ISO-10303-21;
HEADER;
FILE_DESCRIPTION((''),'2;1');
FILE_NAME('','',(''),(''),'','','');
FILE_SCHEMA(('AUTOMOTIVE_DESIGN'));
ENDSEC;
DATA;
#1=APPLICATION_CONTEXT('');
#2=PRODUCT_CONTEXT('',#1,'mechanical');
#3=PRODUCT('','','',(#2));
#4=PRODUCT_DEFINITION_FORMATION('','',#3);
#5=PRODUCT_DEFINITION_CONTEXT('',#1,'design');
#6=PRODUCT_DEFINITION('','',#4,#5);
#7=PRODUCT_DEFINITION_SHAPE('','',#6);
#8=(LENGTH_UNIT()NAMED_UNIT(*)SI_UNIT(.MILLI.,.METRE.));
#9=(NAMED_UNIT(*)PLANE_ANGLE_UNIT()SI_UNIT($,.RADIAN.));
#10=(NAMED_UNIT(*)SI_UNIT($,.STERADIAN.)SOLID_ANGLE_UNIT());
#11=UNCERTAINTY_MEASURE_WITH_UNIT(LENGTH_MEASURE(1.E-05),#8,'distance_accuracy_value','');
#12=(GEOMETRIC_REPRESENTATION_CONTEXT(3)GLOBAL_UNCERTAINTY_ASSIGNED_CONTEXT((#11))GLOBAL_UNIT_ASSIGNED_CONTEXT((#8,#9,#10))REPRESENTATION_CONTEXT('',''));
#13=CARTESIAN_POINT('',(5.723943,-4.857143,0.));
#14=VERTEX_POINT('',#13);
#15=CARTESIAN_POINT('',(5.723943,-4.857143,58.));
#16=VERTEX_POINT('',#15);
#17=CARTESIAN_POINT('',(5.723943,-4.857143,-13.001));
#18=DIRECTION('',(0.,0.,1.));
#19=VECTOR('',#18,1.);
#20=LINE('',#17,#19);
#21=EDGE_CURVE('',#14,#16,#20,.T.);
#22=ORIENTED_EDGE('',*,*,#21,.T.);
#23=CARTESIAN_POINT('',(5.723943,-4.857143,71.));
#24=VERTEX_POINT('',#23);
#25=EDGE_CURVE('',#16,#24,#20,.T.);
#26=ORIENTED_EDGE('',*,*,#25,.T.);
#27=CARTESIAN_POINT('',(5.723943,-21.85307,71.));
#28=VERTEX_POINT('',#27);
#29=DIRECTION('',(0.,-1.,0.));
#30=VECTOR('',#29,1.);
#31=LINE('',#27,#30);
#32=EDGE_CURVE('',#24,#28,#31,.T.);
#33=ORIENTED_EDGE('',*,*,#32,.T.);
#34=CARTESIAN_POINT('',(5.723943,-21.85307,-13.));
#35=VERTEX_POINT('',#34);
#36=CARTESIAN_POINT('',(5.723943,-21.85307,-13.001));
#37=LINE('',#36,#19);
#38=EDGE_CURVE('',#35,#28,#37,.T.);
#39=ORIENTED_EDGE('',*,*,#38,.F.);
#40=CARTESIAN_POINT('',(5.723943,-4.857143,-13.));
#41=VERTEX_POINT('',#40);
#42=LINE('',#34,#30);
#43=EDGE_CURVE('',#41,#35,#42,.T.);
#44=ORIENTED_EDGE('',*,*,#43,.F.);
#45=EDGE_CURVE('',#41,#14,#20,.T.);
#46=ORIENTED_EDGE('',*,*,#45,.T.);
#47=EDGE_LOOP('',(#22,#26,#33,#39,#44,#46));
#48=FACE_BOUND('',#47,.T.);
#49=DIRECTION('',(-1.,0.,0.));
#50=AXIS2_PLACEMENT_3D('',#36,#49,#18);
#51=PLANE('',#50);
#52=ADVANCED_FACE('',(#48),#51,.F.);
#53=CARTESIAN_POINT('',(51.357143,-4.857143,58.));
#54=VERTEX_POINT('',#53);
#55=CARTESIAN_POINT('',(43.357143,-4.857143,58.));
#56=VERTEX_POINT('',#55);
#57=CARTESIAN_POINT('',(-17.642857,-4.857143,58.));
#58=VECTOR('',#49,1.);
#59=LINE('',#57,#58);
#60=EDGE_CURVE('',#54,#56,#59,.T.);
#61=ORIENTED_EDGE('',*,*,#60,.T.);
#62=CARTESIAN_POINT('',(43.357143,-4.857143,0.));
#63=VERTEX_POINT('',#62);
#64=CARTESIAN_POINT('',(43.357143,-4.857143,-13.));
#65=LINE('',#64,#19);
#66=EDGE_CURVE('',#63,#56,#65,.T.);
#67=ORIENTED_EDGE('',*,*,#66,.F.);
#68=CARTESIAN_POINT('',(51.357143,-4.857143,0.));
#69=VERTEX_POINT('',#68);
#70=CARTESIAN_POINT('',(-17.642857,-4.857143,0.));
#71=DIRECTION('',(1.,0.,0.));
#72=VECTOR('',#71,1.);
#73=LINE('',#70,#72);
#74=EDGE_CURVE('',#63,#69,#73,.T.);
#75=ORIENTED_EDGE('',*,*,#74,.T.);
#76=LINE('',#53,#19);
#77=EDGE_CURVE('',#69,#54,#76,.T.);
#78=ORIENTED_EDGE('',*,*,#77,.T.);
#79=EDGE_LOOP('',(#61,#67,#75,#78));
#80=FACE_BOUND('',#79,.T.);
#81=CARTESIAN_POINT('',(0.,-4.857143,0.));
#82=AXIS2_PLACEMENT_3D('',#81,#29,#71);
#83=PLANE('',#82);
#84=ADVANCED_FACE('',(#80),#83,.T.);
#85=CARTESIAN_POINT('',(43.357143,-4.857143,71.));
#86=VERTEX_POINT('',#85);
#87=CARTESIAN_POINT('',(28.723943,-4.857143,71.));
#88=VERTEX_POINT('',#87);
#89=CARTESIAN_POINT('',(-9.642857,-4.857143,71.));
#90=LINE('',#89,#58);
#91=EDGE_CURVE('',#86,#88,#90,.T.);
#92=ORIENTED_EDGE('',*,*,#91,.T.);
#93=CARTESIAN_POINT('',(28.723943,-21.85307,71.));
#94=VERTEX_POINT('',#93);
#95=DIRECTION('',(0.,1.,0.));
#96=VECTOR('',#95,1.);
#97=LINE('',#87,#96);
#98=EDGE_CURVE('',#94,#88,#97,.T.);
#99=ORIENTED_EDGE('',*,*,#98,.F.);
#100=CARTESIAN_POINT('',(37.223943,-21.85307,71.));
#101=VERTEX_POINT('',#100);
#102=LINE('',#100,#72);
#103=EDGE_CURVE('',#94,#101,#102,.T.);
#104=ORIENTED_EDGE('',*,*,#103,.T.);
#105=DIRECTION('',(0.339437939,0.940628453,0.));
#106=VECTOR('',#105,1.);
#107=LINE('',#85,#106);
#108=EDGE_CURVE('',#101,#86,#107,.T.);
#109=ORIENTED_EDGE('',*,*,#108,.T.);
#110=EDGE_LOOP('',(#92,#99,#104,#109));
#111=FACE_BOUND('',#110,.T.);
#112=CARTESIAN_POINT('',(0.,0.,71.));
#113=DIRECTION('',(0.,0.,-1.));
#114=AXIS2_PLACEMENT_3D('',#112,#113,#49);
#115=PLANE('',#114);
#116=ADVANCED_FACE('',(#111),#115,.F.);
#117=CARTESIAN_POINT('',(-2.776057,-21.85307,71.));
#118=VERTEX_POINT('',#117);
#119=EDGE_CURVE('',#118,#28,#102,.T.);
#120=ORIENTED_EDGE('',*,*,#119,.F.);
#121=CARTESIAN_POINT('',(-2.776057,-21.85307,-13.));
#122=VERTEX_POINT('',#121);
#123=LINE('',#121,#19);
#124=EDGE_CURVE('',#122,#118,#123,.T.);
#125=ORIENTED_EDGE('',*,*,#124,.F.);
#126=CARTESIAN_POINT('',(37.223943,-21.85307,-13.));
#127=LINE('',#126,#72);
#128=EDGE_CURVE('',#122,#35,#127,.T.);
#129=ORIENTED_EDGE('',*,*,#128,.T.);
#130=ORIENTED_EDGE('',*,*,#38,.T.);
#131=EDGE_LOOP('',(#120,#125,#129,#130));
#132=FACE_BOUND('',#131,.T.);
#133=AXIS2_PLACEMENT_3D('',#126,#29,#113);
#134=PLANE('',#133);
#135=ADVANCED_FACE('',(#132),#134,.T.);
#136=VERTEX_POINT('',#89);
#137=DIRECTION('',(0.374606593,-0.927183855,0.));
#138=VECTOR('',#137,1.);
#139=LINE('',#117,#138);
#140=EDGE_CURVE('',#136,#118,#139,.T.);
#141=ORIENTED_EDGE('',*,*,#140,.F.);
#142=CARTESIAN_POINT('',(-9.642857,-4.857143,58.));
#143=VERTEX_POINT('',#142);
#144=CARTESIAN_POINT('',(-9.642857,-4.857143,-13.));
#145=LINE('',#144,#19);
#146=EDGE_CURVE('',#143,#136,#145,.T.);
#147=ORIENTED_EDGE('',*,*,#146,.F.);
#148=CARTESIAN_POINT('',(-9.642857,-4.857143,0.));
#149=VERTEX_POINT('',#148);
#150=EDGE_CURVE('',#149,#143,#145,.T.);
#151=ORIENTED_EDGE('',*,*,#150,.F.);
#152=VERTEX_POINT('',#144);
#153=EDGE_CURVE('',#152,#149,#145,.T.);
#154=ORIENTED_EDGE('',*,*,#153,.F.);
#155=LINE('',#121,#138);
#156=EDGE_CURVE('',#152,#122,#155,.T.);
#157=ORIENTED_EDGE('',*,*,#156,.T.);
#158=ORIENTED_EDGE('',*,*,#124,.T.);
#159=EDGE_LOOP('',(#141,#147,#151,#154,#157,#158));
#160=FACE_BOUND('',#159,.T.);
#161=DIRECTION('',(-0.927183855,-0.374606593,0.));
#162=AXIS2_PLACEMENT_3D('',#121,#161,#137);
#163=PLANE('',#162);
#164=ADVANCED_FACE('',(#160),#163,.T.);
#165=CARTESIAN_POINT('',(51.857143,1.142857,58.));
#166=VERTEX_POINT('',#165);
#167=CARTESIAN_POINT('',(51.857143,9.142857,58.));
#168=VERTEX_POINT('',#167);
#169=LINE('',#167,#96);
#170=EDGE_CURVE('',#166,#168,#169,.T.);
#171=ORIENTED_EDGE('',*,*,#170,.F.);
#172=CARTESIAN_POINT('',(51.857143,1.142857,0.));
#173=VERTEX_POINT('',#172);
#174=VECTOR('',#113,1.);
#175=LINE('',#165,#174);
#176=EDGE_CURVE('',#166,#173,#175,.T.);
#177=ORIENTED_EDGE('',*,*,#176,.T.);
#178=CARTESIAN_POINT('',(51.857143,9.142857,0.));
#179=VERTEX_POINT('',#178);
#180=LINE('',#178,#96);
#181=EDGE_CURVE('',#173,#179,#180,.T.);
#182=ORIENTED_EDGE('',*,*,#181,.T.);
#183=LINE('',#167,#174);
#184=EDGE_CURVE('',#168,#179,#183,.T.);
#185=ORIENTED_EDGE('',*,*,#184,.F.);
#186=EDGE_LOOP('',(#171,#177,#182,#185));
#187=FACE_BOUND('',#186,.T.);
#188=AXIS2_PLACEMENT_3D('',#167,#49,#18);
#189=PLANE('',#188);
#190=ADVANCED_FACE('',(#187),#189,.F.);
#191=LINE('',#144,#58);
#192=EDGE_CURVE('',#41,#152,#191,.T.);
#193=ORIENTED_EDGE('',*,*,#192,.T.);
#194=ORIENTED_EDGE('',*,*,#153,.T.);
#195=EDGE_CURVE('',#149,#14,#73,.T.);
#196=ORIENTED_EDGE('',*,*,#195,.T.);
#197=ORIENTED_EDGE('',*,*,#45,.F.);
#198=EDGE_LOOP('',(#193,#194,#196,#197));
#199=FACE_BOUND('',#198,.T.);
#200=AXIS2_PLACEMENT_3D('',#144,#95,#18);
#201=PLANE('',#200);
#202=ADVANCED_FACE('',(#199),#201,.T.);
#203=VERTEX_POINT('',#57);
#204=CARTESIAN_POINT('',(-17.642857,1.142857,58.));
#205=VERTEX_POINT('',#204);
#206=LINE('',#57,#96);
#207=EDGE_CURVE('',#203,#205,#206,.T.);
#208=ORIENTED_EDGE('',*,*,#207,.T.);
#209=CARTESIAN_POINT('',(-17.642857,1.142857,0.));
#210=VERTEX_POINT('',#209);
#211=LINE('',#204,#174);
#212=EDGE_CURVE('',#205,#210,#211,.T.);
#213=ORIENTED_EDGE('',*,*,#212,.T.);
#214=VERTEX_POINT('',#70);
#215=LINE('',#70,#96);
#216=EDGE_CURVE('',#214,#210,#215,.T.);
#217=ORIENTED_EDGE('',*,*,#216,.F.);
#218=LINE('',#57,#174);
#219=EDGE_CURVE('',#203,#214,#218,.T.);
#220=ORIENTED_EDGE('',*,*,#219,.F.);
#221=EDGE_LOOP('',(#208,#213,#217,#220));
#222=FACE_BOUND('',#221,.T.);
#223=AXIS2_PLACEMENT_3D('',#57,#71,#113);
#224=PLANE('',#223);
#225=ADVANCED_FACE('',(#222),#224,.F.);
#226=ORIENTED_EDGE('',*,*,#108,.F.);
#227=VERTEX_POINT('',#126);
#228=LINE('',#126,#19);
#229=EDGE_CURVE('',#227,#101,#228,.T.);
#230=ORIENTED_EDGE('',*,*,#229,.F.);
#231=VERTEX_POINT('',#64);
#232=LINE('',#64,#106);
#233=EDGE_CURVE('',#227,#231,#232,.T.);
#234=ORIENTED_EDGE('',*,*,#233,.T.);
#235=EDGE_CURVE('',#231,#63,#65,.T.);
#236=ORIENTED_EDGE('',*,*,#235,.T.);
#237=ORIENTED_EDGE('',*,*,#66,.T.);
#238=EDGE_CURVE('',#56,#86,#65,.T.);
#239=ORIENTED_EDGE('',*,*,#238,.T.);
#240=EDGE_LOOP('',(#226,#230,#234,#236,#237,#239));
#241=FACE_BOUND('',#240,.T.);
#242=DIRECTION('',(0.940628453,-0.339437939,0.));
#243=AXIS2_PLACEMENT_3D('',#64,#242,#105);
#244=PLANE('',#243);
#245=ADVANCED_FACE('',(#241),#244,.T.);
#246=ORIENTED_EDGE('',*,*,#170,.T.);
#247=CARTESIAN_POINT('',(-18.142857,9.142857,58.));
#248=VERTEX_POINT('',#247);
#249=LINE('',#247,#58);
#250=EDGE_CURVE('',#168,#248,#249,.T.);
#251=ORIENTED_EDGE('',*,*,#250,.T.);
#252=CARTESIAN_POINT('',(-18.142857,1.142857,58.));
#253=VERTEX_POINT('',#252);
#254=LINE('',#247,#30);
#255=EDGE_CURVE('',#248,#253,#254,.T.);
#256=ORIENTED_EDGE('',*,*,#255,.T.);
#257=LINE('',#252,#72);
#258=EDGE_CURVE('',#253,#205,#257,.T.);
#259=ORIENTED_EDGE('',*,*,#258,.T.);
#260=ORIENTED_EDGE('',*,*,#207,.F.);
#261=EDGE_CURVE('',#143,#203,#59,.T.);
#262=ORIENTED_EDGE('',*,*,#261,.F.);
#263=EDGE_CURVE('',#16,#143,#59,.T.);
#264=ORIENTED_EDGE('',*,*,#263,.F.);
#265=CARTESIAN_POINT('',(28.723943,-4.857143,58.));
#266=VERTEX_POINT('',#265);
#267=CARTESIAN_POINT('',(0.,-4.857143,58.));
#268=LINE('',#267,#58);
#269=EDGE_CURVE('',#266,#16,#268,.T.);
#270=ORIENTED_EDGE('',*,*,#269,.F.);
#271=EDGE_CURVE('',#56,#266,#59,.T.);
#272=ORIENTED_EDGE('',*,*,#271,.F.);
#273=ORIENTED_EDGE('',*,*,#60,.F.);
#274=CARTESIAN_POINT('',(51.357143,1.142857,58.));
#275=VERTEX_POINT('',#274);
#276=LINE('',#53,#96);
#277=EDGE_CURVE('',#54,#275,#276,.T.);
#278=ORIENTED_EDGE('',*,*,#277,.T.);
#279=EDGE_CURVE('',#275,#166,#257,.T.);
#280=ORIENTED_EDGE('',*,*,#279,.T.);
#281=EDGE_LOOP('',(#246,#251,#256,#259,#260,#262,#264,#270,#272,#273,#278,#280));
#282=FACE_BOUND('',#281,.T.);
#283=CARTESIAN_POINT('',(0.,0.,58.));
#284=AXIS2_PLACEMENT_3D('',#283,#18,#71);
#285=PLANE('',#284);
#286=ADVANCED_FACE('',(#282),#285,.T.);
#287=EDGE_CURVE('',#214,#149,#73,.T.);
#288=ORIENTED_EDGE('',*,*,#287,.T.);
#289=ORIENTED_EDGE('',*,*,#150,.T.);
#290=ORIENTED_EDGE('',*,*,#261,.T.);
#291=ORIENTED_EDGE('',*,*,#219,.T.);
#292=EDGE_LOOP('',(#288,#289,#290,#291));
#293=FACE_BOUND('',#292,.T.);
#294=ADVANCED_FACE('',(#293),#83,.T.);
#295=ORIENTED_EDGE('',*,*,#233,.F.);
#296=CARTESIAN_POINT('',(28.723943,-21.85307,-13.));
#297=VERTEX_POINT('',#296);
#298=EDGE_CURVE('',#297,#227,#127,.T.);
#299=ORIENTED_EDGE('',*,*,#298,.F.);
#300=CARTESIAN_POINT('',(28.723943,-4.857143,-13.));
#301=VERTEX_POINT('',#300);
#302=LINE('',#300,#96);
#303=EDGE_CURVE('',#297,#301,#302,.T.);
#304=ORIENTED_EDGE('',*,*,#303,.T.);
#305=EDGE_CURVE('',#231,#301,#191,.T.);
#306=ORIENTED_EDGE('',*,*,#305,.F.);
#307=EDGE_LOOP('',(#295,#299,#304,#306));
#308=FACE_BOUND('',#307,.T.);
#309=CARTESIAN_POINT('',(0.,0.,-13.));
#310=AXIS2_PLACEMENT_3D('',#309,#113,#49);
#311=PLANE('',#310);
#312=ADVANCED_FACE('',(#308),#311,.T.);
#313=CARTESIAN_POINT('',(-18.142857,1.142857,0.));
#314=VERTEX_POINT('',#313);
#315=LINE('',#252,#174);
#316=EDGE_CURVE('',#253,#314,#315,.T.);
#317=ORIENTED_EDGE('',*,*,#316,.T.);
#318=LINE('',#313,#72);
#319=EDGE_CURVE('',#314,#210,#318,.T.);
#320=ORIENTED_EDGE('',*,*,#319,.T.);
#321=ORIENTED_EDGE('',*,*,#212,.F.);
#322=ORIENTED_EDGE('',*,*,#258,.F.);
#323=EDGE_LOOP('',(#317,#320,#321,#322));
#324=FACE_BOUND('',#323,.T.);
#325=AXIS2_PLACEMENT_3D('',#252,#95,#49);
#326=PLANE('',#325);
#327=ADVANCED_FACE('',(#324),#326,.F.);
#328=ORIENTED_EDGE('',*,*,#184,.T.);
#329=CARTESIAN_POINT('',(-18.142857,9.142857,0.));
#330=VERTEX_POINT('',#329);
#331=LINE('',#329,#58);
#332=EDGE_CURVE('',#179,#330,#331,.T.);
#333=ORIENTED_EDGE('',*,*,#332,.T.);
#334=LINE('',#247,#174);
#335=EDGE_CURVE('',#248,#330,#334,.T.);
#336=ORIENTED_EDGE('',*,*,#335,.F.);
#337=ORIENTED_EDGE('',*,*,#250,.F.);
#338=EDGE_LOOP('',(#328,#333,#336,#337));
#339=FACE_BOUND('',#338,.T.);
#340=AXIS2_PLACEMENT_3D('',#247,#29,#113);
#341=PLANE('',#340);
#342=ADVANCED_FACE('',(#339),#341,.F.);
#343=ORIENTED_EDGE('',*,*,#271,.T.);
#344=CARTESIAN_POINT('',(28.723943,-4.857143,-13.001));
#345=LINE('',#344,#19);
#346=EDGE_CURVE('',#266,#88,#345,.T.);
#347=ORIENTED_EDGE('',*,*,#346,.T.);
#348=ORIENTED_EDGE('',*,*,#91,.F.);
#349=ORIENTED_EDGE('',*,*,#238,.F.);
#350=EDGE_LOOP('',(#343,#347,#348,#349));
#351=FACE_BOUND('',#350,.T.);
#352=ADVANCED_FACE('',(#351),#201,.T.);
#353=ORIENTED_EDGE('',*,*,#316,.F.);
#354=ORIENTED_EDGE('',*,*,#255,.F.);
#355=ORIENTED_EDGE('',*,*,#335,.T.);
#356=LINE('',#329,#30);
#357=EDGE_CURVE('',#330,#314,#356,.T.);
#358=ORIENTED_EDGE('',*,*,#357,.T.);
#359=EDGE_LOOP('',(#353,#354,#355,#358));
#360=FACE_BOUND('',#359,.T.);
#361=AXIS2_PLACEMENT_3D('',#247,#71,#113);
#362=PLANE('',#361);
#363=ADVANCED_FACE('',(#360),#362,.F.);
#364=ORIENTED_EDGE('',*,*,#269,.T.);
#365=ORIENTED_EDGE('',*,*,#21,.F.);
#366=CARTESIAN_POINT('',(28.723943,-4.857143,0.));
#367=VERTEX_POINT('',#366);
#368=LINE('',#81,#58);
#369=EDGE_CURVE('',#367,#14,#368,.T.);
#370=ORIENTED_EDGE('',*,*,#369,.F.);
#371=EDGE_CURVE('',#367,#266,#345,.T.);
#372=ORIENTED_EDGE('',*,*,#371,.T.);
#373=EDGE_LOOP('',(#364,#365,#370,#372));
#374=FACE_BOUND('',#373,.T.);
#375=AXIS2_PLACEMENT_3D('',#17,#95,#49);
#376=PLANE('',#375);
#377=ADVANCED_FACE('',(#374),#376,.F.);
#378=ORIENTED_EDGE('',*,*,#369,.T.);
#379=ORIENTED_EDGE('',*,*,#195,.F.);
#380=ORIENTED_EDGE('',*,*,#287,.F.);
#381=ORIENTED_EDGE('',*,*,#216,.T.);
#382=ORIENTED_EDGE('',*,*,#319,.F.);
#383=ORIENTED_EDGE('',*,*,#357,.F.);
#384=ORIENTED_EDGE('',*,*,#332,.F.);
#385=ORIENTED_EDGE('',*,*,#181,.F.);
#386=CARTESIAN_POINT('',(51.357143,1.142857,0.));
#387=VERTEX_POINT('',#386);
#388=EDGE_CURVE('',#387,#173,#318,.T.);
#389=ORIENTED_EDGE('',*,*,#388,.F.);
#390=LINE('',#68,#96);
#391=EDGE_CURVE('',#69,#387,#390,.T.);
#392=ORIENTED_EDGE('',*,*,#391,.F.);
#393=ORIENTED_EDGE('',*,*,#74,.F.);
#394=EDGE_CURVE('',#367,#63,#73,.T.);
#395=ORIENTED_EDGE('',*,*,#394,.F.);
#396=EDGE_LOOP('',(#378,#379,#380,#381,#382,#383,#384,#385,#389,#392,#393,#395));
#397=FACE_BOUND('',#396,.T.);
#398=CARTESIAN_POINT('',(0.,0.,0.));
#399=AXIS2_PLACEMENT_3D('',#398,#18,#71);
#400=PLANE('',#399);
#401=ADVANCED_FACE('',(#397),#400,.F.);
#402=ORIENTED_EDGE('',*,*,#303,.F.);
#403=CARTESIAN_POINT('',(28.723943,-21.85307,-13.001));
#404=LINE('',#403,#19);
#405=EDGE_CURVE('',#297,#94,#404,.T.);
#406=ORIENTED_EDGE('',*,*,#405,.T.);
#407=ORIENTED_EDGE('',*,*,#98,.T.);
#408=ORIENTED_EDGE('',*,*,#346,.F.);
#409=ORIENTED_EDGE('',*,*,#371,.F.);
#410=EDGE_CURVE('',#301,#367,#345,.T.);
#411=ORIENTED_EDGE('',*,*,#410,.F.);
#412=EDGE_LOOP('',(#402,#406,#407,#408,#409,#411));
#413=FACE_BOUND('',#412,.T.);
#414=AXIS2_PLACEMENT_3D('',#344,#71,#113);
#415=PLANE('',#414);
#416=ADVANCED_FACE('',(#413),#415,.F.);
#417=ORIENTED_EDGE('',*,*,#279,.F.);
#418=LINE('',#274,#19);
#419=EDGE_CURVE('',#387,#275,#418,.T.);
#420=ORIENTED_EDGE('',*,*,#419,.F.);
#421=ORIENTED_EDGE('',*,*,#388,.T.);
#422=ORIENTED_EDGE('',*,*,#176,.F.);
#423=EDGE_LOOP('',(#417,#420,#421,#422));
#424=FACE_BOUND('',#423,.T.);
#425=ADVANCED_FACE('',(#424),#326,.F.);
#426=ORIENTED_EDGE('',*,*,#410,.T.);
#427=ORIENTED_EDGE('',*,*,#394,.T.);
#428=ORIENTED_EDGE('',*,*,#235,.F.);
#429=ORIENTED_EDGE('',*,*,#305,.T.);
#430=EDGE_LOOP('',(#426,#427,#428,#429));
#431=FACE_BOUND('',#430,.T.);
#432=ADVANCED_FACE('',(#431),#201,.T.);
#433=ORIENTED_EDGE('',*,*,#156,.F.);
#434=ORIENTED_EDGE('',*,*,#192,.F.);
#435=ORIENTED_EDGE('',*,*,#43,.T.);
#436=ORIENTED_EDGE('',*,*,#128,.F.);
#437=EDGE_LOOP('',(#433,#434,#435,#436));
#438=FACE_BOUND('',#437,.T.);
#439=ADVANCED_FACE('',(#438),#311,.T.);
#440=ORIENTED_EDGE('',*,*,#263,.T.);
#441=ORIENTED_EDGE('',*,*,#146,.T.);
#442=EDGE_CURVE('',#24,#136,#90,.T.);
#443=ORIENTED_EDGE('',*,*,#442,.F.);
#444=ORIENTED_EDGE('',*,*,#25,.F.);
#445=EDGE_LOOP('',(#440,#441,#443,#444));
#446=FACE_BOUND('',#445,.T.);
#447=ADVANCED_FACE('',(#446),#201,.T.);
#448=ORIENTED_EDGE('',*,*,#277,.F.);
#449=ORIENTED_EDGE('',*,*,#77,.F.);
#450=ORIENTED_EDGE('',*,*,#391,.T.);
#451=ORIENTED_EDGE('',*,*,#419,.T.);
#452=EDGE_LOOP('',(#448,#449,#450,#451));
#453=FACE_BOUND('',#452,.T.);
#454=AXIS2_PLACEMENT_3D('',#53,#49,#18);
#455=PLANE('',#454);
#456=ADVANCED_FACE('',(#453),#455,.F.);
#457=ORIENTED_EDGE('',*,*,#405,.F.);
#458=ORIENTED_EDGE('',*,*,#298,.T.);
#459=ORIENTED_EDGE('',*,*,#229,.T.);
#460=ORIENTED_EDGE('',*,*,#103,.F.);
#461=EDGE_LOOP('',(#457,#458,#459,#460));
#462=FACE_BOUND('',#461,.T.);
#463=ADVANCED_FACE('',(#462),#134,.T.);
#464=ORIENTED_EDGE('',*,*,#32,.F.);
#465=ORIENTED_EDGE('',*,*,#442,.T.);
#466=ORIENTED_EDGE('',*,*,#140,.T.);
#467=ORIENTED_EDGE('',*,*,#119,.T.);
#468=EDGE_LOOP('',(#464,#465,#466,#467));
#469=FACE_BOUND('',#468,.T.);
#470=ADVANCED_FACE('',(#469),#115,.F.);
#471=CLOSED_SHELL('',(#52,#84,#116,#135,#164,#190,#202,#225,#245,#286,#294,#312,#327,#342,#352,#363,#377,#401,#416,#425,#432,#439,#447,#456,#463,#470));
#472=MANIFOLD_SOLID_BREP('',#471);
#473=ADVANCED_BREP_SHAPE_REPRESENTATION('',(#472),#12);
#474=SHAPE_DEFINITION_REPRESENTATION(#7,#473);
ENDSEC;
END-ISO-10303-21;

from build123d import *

# Parameters (mm, degrees)
SKETCH_1_W           = 70
SKETCH_1_H           = 8
EXTRUDE_1_DEPTH      = 58
SKETCH_2_W           = 69
SKETCH_2_H           = 58
EXTRUDE_2_DEPTH      = 6
EXTRUDE_3_DEPTH      = 71
EXTRUDE_3_DEPTH_BACK = 13
CUT_EXTRUDE_2_REACH  = 103.107
SKETCH_6_W           = 23
SKETCH_6_H           = 16.995926687


with BuildPart() as part:
    # 草图1 → 凸台-拉伸1 (new body)
    with BuildSketch(Plane.XY):
        with Locations((16.857142857, 5.142857143)):
            Rectangle(SKETCH_1_W, SKETCH_1_H)
    extrude(amount=EXTRUDE_1_DEPTH)

    # 草图2 → 凸台-拉伸2 (add)
    with BuildSketch(Plane.XZ.offset(-1.142857143)):
        with Locations((16.857142857, 29)):
            Rectangle(SKETCH_2_W, SKETCH_2_H)
    extrude(amount=EXTRUDE_2_DEPTH)

    # 草图4 → 凸台-拉伸3 (add, two sides: drawn at the far end of the back side and taken through both)
    with BuildSketch(Plane.XY.offset(-EXTRUDE_3_DEPTH_BACK)):
        Polygon((-9.642857143, -4.857142857), (43.357142857, -4.857142857), (37.223942971, -21.853069544), (-2.776057029, -21.853069544), align=None)
    extrude(amount=EXTRUDE_3_DEPTH + EXTRUDE_3_DEPTH_BACK)

    # 草图6 → 切除-拉伸2 (cut, up to next)
    with BuildSketch(Plane.XY.offset(71), mode=Mode.PRIVATE) as cut_extrude_2_sk1:
        with Locations((17.223942971, -13.3551062)):
            Rectangle(SKETCH_6_W, SKETCH_6_H)
    cut_extrude_2_tool1 = extrude(cut_extrude_2_sk1.sketch, amount=-CUT_EXTRUDE_2_REACH, mode=Mode.PRIVATE) & part.part
    add(cut_extrude_2_tool1.solids().sort_by_distance((17.223943, -13.355106, 71))[0], mode=Mode.SUBTRACT)


solid = part.part
